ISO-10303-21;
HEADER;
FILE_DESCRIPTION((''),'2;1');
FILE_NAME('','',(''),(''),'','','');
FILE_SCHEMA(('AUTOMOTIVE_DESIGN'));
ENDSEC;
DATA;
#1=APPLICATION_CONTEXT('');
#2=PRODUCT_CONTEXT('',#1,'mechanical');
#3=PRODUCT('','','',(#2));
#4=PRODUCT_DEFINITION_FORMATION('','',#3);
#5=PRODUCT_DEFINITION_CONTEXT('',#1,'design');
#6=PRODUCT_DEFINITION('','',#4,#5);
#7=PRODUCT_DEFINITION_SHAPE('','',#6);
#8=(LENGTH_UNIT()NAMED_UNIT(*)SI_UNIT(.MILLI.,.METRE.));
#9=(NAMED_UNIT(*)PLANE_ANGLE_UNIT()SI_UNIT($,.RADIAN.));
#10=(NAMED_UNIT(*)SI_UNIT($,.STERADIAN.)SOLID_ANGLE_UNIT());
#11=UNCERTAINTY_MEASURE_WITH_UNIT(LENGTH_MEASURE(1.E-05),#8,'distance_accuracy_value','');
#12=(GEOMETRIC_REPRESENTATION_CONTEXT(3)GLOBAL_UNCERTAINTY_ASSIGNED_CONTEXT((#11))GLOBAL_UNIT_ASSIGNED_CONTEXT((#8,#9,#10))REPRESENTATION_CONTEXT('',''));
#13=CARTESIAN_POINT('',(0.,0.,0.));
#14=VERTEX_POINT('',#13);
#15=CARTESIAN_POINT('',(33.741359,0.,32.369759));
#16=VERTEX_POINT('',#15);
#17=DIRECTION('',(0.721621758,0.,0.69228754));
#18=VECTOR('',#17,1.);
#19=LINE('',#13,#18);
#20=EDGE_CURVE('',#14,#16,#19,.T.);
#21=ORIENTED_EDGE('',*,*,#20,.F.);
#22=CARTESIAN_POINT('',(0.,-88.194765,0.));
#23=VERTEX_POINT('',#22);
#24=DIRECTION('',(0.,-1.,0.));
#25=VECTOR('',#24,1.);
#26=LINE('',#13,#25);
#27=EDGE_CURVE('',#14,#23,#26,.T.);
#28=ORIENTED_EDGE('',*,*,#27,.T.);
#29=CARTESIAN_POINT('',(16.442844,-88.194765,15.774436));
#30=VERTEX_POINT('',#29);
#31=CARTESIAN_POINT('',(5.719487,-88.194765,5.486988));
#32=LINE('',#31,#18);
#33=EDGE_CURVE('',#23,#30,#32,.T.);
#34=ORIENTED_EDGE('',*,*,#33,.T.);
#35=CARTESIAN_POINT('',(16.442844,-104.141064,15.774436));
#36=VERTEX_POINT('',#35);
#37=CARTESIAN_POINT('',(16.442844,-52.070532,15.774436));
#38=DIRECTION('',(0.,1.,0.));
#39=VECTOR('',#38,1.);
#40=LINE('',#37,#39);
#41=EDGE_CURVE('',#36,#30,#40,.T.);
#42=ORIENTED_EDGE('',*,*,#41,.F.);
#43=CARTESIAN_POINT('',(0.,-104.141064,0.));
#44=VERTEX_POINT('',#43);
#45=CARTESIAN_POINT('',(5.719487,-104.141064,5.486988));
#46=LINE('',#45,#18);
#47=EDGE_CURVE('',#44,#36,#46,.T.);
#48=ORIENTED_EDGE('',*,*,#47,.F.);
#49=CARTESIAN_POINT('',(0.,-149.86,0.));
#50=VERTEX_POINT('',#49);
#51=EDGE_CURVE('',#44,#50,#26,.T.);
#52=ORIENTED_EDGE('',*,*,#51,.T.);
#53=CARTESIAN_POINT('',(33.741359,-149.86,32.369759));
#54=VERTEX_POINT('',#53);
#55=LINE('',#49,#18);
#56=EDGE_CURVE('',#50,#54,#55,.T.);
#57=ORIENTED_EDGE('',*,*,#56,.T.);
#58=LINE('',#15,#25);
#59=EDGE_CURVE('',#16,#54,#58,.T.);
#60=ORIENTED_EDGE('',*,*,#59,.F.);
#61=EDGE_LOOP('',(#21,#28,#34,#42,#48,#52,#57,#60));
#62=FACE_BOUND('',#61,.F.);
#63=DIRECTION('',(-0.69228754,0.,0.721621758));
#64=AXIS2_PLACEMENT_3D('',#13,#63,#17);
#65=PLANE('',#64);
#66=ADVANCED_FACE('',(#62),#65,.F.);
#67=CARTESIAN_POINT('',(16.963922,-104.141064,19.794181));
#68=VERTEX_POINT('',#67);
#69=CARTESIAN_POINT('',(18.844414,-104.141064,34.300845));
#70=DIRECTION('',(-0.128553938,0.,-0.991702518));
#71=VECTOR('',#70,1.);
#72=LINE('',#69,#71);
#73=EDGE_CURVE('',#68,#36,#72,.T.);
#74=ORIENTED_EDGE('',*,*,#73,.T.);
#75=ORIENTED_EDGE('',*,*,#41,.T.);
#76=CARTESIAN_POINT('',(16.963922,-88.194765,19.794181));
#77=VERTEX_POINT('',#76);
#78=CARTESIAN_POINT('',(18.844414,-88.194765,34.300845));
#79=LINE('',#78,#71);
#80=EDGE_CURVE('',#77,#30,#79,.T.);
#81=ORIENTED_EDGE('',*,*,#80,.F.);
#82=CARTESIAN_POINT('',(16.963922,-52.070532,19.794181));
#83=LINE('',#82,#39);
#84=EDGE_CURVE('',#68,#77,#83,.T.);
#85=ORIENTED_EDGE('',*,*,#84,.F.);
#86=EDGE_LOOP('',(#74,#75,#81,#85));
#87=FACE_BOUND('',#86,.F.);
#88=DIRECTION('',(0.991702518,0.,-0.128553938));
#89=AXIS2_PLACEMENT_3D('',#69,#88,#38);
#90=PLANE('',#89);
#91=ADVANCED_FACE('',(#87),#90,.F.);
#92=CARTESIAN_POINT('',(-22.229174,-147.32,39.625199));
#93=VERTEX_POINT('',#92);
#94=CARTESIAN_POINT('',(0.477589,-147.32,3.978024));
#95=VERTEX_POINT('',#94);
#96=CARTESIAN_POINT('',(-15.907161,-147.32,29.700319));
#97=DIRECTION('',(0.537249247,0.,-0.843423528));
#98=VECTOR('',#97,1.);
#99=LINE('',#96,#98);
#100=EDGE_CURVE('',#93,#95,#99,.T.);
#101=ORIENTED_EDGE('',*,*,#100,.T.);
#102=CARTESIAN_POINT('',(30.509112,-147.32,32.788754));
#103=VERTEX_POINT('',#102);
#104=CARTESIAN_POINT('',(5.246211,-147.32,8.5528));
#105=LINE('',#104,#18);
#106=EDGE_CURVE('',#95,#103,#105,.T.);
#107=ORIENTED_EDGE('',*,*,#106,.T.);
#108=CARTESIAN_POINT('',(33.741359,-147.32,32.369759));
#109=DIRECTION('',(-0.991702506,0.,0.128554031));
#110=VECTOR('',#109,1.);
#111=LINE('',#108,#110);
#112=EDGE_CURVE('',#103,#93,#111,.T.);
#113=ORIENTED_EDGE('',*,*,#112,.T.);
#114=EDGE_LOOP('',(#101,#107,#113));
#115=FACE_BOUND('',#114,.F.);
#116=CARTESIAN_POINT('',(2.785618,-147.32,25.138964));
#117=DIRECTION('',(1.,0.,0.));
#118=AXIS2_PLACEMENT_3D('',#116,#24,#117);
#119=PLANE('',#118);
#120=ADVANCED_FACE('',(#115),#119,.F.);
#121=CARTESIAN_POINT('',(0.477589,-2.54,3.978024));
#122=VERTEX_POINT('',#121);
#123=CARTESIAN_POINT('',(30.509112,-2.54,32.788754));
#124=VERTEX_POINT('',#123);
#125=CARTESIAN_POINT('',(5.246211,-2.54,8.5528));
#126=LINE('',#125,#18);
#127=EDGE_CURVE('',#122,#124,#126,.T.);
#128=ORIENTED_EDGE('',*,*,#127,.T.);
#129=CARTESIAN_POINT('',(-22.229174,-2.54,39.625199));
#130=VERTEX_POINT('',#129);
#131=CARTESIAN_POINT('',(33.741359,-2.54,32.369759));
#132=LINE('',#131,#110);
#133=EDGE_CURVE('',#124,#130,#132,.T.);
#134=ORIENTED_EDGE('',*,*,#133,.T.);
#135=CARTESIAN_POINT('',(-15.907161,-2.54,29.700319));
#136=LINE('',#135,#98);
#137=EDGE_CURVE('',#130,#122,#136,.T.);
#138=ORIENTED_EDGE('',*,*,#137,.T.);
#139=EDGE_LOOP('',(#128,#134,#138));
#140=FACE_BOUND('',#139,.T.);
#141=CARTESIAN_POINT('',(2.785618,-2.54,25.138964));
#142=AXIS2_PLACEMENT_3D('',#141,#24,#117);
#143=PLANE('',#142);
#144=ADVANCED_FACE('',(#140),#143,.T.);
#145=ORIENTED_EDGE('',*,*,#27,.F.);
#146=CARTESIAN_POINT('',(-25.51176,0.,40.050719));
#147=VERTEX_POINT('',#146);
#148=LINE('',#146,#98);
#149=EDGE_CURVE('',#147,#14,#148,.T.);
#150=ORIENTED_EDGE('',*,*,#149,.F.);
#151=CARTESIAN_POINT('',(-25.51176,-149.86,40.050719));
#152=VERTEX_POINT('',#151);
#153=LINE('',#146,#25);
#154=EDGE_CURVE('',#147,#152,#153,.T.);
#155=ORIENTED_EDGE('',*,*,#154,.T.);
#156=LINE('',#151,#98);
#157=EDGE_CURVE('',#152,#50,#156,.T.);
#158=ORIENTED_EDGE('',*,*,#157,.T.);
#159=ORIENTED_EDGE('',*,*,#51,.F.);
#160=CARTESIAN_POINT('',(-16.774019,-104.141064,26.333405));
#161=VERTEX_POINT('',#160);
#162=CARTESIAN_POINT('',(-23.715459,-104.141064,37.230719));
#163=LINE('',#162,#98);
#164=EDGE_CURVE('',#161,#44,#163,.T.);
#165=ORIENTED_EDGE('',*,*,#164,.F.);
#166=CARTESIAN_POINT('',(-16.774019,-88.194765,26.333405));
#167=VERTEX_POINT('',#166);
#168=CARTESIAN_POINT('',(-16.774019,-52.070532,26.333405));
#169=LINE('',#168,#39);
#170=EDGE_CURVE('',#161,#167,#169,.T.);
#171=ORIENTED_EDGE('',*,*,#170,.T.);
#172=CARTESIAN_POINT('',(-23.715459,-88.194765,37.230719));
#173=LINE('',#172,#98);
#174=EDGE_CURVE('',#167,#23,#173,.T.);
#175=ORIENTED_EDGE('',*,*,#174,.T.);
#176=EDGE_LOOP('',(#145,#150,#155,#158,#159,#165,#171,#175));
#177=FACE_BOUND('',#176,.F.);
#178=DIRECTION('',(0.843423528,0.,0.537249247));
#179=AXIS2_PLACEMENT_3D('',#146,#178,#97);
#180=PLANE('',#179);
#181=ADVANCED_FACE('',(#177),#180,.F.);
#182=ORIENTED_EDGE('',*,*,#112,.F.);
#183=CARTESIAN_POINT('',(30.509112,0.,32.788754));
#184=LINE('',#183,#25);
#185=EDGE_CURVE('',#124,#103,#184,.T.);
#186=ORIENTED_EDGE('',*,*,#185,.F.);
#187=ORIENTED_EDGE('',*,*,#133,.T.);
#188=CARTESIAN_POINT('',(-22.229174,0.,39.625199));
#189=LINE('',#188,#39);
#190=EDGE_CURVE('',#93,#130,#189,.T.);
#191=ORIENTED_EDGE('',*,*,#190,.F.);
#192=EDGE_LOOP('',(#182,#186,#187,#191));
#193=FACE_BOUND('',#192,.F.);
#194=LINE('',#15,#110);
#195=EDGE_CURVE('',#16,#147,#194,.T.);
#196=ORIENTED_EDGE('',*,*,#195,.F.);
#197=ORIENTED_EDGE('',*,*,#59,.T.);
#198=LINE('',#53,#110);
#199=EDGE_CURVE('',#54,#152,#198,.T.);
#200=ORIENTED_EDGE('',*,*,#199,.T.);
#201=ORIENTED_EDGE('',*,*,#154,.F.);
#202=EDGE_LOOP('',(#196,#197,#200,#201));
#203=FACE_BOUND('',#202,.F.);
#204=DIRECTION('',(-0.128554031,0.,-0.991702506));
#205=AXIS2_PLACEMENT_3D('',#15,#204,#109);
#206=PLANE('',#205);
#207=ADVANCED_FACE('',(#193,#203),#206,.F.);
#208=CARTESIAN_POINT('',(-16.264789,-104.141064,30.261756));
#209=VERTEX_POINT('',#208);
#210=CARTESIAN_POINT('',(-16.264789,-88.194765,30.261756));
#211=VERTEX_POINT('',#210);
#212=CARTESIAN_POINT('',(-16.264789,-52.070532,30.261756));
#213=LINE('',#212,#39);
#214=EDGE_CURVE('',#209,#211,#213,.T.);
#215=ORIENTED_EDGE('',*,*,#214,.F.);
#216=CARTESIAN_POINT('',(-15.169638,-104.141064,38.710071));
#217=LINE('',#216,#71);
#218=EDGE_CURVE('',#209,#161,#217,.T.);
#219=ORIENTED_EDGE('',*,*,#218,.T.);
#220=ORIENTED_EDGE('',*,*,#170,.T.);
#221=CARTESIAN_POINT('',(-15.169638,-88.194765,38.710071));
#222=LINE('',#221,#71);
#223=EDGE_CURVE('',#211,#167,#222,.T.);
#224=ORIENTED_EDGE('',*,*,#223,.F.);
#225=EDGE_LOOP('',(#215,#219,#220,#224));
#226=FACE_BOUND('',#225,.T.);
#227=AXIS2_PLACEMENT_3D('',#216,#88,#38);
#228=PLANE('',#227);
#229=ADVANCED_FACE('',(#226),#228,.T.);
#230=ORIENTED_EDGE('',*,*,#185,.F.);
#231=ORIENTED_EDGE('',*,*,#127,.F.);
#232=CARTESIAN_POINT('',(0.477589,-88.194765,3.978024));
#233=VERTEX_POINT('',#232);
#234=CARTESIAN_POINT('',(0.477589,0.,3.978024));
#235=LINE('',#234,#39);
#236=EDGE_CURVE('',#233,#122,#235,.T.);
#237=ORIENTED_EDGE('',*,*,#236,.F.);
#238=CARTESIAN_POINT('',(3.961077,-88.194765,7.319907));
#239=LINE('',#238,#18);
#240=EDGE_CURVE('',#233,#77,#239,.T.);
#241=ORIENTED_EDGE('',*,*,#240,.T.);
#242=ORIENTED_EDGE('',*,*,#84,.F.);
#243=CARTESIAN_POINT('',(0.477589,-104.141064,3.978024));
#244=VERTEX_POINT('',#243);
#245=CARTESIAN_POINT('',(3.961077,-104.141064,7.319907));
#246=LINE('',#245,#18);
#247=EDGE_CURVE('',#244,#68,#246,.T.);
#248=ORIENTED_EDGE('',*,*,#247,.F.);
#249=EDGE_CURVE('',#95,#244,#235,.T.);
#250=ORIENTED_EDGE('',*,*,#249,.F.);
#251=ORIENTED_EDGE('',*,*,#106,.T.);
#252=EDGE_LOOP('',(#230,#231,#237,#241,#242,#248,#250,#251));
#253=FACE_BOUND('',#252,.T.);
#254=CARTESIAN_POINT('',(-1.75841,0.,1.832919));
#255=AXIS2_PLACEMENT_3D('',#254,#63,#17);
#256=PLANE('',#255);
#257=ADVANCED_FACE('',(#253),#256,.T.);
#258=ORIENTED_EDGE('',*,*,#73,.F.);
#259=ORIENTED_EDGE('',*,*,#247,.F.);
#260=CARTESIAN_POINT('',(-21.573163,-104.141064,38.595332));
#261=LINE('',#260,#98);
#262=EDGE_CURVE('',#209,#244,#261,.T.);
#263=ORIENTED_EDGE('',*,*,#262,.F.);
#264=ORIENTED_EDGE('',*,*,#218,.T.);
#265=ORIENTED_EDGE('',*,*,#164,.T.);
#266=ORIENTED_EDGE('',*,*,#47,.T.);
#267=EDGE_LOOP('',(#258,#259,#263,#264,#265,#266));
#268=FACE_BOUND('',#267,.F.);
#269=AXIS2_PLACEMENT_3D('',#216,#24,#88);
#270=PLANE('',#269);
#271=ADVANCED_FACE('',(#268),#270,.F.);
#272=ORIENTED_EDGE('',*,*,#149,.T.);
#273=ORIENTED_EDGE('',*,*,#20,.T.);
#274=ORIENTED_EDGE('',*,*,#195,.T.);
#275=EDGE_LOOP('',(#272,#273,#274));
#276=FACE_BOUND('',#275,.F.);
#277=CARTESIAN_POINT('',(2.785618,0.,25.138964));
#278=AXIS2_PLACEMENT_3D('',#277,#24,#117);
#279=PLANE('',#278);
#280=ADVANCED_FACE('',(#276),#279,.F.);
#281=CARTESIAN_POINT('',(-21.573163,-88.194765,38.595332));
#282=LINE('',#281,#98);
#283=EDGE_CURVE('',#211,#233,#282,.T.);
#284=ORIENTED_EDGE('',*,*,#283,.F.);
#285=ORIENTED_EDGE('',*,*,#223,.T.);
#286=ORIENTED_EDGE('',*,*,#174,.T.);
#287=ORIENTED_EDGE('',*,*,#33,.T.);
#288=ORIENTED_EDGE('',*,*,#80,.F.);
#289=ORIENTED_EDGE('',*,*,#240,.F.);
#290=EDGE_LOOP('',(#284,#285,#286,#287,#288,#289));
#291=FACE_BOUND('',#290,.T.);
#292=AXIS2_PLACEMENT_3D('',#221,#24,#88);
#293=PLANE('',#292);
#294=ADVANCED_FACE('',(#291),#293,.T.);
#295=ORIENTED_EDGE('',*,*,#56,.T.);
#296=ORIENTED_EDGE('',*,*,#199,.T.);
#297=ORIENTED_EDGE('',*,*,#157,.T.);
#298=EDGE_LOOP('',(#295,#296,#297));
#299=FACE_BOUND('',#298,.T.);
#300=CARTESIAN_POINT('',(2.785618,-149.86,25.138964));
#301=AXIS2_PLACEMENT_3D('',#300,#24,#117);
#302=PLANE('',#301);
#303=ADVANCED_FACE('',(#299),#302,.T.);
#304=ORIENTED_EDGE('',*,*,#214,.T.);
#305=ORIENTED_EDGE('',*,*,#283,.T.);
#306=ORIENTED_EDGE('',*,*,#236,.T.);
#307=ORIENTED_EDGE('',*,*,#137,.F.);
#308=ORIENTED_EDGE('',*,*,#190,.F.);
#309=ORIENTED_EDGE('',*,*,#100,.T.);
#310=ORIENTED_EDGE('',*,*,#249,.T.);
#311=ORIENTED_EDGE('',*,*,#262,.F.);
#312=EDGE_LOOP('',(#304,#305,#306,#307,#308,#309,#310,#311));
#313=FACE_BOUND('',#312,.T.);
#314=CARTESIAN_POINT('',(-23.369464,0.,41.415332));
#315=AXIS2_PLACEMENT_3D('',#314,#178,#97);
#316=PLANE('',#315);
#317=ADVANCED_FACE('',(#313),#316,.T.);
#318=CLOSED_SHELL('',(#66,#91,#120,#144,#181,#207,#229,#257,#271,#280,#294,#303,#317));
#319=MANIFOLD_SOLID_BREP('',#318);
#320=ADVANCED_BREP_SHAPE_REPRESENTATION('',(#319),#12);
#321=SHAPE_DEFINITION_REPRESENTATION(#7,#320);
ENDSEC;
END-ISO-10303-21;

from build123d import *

# Parameters (mm, degrees)
F1_DEPTH = 149.86
F3_T     = -2.54
F2_W     = 34.298644
F2_H     = 15.946299
F4_DEPTH = 94.234


with BuildPart() as f1:
    # F0 (on Front) → F1 (new body)
    with BuildSketch(Plane.XZ):
        Polygon((-25.51176, 40.050719), (0, 0), (33.741359, 32.369759), align=None)
    extrude(amount=F1_DEPTH)

    # F3
    f3_openings = [f1.faces().sort_by_distance(p)[0] for p in [
        (4.114799, -74.93, 36.210239),
    ]]
    offset(amount=F3_T, openings=f3_openings)

    # F2 (on face) → F4 (cut)
    with BuildSketch(Plane(origin=(4.684349, 0, 36.136408), x_dir=(0.991703, 0, -0.128554), z_dir=(0.128554, 0, 0.991703))):
        with Locations((-2.870781, -96.167914)):
            Rectangle(F2_W, F2_H)
    extrude(amount=-F4_DEPTH, mode=Mode.SUBTRACT)


solid = f1.part
